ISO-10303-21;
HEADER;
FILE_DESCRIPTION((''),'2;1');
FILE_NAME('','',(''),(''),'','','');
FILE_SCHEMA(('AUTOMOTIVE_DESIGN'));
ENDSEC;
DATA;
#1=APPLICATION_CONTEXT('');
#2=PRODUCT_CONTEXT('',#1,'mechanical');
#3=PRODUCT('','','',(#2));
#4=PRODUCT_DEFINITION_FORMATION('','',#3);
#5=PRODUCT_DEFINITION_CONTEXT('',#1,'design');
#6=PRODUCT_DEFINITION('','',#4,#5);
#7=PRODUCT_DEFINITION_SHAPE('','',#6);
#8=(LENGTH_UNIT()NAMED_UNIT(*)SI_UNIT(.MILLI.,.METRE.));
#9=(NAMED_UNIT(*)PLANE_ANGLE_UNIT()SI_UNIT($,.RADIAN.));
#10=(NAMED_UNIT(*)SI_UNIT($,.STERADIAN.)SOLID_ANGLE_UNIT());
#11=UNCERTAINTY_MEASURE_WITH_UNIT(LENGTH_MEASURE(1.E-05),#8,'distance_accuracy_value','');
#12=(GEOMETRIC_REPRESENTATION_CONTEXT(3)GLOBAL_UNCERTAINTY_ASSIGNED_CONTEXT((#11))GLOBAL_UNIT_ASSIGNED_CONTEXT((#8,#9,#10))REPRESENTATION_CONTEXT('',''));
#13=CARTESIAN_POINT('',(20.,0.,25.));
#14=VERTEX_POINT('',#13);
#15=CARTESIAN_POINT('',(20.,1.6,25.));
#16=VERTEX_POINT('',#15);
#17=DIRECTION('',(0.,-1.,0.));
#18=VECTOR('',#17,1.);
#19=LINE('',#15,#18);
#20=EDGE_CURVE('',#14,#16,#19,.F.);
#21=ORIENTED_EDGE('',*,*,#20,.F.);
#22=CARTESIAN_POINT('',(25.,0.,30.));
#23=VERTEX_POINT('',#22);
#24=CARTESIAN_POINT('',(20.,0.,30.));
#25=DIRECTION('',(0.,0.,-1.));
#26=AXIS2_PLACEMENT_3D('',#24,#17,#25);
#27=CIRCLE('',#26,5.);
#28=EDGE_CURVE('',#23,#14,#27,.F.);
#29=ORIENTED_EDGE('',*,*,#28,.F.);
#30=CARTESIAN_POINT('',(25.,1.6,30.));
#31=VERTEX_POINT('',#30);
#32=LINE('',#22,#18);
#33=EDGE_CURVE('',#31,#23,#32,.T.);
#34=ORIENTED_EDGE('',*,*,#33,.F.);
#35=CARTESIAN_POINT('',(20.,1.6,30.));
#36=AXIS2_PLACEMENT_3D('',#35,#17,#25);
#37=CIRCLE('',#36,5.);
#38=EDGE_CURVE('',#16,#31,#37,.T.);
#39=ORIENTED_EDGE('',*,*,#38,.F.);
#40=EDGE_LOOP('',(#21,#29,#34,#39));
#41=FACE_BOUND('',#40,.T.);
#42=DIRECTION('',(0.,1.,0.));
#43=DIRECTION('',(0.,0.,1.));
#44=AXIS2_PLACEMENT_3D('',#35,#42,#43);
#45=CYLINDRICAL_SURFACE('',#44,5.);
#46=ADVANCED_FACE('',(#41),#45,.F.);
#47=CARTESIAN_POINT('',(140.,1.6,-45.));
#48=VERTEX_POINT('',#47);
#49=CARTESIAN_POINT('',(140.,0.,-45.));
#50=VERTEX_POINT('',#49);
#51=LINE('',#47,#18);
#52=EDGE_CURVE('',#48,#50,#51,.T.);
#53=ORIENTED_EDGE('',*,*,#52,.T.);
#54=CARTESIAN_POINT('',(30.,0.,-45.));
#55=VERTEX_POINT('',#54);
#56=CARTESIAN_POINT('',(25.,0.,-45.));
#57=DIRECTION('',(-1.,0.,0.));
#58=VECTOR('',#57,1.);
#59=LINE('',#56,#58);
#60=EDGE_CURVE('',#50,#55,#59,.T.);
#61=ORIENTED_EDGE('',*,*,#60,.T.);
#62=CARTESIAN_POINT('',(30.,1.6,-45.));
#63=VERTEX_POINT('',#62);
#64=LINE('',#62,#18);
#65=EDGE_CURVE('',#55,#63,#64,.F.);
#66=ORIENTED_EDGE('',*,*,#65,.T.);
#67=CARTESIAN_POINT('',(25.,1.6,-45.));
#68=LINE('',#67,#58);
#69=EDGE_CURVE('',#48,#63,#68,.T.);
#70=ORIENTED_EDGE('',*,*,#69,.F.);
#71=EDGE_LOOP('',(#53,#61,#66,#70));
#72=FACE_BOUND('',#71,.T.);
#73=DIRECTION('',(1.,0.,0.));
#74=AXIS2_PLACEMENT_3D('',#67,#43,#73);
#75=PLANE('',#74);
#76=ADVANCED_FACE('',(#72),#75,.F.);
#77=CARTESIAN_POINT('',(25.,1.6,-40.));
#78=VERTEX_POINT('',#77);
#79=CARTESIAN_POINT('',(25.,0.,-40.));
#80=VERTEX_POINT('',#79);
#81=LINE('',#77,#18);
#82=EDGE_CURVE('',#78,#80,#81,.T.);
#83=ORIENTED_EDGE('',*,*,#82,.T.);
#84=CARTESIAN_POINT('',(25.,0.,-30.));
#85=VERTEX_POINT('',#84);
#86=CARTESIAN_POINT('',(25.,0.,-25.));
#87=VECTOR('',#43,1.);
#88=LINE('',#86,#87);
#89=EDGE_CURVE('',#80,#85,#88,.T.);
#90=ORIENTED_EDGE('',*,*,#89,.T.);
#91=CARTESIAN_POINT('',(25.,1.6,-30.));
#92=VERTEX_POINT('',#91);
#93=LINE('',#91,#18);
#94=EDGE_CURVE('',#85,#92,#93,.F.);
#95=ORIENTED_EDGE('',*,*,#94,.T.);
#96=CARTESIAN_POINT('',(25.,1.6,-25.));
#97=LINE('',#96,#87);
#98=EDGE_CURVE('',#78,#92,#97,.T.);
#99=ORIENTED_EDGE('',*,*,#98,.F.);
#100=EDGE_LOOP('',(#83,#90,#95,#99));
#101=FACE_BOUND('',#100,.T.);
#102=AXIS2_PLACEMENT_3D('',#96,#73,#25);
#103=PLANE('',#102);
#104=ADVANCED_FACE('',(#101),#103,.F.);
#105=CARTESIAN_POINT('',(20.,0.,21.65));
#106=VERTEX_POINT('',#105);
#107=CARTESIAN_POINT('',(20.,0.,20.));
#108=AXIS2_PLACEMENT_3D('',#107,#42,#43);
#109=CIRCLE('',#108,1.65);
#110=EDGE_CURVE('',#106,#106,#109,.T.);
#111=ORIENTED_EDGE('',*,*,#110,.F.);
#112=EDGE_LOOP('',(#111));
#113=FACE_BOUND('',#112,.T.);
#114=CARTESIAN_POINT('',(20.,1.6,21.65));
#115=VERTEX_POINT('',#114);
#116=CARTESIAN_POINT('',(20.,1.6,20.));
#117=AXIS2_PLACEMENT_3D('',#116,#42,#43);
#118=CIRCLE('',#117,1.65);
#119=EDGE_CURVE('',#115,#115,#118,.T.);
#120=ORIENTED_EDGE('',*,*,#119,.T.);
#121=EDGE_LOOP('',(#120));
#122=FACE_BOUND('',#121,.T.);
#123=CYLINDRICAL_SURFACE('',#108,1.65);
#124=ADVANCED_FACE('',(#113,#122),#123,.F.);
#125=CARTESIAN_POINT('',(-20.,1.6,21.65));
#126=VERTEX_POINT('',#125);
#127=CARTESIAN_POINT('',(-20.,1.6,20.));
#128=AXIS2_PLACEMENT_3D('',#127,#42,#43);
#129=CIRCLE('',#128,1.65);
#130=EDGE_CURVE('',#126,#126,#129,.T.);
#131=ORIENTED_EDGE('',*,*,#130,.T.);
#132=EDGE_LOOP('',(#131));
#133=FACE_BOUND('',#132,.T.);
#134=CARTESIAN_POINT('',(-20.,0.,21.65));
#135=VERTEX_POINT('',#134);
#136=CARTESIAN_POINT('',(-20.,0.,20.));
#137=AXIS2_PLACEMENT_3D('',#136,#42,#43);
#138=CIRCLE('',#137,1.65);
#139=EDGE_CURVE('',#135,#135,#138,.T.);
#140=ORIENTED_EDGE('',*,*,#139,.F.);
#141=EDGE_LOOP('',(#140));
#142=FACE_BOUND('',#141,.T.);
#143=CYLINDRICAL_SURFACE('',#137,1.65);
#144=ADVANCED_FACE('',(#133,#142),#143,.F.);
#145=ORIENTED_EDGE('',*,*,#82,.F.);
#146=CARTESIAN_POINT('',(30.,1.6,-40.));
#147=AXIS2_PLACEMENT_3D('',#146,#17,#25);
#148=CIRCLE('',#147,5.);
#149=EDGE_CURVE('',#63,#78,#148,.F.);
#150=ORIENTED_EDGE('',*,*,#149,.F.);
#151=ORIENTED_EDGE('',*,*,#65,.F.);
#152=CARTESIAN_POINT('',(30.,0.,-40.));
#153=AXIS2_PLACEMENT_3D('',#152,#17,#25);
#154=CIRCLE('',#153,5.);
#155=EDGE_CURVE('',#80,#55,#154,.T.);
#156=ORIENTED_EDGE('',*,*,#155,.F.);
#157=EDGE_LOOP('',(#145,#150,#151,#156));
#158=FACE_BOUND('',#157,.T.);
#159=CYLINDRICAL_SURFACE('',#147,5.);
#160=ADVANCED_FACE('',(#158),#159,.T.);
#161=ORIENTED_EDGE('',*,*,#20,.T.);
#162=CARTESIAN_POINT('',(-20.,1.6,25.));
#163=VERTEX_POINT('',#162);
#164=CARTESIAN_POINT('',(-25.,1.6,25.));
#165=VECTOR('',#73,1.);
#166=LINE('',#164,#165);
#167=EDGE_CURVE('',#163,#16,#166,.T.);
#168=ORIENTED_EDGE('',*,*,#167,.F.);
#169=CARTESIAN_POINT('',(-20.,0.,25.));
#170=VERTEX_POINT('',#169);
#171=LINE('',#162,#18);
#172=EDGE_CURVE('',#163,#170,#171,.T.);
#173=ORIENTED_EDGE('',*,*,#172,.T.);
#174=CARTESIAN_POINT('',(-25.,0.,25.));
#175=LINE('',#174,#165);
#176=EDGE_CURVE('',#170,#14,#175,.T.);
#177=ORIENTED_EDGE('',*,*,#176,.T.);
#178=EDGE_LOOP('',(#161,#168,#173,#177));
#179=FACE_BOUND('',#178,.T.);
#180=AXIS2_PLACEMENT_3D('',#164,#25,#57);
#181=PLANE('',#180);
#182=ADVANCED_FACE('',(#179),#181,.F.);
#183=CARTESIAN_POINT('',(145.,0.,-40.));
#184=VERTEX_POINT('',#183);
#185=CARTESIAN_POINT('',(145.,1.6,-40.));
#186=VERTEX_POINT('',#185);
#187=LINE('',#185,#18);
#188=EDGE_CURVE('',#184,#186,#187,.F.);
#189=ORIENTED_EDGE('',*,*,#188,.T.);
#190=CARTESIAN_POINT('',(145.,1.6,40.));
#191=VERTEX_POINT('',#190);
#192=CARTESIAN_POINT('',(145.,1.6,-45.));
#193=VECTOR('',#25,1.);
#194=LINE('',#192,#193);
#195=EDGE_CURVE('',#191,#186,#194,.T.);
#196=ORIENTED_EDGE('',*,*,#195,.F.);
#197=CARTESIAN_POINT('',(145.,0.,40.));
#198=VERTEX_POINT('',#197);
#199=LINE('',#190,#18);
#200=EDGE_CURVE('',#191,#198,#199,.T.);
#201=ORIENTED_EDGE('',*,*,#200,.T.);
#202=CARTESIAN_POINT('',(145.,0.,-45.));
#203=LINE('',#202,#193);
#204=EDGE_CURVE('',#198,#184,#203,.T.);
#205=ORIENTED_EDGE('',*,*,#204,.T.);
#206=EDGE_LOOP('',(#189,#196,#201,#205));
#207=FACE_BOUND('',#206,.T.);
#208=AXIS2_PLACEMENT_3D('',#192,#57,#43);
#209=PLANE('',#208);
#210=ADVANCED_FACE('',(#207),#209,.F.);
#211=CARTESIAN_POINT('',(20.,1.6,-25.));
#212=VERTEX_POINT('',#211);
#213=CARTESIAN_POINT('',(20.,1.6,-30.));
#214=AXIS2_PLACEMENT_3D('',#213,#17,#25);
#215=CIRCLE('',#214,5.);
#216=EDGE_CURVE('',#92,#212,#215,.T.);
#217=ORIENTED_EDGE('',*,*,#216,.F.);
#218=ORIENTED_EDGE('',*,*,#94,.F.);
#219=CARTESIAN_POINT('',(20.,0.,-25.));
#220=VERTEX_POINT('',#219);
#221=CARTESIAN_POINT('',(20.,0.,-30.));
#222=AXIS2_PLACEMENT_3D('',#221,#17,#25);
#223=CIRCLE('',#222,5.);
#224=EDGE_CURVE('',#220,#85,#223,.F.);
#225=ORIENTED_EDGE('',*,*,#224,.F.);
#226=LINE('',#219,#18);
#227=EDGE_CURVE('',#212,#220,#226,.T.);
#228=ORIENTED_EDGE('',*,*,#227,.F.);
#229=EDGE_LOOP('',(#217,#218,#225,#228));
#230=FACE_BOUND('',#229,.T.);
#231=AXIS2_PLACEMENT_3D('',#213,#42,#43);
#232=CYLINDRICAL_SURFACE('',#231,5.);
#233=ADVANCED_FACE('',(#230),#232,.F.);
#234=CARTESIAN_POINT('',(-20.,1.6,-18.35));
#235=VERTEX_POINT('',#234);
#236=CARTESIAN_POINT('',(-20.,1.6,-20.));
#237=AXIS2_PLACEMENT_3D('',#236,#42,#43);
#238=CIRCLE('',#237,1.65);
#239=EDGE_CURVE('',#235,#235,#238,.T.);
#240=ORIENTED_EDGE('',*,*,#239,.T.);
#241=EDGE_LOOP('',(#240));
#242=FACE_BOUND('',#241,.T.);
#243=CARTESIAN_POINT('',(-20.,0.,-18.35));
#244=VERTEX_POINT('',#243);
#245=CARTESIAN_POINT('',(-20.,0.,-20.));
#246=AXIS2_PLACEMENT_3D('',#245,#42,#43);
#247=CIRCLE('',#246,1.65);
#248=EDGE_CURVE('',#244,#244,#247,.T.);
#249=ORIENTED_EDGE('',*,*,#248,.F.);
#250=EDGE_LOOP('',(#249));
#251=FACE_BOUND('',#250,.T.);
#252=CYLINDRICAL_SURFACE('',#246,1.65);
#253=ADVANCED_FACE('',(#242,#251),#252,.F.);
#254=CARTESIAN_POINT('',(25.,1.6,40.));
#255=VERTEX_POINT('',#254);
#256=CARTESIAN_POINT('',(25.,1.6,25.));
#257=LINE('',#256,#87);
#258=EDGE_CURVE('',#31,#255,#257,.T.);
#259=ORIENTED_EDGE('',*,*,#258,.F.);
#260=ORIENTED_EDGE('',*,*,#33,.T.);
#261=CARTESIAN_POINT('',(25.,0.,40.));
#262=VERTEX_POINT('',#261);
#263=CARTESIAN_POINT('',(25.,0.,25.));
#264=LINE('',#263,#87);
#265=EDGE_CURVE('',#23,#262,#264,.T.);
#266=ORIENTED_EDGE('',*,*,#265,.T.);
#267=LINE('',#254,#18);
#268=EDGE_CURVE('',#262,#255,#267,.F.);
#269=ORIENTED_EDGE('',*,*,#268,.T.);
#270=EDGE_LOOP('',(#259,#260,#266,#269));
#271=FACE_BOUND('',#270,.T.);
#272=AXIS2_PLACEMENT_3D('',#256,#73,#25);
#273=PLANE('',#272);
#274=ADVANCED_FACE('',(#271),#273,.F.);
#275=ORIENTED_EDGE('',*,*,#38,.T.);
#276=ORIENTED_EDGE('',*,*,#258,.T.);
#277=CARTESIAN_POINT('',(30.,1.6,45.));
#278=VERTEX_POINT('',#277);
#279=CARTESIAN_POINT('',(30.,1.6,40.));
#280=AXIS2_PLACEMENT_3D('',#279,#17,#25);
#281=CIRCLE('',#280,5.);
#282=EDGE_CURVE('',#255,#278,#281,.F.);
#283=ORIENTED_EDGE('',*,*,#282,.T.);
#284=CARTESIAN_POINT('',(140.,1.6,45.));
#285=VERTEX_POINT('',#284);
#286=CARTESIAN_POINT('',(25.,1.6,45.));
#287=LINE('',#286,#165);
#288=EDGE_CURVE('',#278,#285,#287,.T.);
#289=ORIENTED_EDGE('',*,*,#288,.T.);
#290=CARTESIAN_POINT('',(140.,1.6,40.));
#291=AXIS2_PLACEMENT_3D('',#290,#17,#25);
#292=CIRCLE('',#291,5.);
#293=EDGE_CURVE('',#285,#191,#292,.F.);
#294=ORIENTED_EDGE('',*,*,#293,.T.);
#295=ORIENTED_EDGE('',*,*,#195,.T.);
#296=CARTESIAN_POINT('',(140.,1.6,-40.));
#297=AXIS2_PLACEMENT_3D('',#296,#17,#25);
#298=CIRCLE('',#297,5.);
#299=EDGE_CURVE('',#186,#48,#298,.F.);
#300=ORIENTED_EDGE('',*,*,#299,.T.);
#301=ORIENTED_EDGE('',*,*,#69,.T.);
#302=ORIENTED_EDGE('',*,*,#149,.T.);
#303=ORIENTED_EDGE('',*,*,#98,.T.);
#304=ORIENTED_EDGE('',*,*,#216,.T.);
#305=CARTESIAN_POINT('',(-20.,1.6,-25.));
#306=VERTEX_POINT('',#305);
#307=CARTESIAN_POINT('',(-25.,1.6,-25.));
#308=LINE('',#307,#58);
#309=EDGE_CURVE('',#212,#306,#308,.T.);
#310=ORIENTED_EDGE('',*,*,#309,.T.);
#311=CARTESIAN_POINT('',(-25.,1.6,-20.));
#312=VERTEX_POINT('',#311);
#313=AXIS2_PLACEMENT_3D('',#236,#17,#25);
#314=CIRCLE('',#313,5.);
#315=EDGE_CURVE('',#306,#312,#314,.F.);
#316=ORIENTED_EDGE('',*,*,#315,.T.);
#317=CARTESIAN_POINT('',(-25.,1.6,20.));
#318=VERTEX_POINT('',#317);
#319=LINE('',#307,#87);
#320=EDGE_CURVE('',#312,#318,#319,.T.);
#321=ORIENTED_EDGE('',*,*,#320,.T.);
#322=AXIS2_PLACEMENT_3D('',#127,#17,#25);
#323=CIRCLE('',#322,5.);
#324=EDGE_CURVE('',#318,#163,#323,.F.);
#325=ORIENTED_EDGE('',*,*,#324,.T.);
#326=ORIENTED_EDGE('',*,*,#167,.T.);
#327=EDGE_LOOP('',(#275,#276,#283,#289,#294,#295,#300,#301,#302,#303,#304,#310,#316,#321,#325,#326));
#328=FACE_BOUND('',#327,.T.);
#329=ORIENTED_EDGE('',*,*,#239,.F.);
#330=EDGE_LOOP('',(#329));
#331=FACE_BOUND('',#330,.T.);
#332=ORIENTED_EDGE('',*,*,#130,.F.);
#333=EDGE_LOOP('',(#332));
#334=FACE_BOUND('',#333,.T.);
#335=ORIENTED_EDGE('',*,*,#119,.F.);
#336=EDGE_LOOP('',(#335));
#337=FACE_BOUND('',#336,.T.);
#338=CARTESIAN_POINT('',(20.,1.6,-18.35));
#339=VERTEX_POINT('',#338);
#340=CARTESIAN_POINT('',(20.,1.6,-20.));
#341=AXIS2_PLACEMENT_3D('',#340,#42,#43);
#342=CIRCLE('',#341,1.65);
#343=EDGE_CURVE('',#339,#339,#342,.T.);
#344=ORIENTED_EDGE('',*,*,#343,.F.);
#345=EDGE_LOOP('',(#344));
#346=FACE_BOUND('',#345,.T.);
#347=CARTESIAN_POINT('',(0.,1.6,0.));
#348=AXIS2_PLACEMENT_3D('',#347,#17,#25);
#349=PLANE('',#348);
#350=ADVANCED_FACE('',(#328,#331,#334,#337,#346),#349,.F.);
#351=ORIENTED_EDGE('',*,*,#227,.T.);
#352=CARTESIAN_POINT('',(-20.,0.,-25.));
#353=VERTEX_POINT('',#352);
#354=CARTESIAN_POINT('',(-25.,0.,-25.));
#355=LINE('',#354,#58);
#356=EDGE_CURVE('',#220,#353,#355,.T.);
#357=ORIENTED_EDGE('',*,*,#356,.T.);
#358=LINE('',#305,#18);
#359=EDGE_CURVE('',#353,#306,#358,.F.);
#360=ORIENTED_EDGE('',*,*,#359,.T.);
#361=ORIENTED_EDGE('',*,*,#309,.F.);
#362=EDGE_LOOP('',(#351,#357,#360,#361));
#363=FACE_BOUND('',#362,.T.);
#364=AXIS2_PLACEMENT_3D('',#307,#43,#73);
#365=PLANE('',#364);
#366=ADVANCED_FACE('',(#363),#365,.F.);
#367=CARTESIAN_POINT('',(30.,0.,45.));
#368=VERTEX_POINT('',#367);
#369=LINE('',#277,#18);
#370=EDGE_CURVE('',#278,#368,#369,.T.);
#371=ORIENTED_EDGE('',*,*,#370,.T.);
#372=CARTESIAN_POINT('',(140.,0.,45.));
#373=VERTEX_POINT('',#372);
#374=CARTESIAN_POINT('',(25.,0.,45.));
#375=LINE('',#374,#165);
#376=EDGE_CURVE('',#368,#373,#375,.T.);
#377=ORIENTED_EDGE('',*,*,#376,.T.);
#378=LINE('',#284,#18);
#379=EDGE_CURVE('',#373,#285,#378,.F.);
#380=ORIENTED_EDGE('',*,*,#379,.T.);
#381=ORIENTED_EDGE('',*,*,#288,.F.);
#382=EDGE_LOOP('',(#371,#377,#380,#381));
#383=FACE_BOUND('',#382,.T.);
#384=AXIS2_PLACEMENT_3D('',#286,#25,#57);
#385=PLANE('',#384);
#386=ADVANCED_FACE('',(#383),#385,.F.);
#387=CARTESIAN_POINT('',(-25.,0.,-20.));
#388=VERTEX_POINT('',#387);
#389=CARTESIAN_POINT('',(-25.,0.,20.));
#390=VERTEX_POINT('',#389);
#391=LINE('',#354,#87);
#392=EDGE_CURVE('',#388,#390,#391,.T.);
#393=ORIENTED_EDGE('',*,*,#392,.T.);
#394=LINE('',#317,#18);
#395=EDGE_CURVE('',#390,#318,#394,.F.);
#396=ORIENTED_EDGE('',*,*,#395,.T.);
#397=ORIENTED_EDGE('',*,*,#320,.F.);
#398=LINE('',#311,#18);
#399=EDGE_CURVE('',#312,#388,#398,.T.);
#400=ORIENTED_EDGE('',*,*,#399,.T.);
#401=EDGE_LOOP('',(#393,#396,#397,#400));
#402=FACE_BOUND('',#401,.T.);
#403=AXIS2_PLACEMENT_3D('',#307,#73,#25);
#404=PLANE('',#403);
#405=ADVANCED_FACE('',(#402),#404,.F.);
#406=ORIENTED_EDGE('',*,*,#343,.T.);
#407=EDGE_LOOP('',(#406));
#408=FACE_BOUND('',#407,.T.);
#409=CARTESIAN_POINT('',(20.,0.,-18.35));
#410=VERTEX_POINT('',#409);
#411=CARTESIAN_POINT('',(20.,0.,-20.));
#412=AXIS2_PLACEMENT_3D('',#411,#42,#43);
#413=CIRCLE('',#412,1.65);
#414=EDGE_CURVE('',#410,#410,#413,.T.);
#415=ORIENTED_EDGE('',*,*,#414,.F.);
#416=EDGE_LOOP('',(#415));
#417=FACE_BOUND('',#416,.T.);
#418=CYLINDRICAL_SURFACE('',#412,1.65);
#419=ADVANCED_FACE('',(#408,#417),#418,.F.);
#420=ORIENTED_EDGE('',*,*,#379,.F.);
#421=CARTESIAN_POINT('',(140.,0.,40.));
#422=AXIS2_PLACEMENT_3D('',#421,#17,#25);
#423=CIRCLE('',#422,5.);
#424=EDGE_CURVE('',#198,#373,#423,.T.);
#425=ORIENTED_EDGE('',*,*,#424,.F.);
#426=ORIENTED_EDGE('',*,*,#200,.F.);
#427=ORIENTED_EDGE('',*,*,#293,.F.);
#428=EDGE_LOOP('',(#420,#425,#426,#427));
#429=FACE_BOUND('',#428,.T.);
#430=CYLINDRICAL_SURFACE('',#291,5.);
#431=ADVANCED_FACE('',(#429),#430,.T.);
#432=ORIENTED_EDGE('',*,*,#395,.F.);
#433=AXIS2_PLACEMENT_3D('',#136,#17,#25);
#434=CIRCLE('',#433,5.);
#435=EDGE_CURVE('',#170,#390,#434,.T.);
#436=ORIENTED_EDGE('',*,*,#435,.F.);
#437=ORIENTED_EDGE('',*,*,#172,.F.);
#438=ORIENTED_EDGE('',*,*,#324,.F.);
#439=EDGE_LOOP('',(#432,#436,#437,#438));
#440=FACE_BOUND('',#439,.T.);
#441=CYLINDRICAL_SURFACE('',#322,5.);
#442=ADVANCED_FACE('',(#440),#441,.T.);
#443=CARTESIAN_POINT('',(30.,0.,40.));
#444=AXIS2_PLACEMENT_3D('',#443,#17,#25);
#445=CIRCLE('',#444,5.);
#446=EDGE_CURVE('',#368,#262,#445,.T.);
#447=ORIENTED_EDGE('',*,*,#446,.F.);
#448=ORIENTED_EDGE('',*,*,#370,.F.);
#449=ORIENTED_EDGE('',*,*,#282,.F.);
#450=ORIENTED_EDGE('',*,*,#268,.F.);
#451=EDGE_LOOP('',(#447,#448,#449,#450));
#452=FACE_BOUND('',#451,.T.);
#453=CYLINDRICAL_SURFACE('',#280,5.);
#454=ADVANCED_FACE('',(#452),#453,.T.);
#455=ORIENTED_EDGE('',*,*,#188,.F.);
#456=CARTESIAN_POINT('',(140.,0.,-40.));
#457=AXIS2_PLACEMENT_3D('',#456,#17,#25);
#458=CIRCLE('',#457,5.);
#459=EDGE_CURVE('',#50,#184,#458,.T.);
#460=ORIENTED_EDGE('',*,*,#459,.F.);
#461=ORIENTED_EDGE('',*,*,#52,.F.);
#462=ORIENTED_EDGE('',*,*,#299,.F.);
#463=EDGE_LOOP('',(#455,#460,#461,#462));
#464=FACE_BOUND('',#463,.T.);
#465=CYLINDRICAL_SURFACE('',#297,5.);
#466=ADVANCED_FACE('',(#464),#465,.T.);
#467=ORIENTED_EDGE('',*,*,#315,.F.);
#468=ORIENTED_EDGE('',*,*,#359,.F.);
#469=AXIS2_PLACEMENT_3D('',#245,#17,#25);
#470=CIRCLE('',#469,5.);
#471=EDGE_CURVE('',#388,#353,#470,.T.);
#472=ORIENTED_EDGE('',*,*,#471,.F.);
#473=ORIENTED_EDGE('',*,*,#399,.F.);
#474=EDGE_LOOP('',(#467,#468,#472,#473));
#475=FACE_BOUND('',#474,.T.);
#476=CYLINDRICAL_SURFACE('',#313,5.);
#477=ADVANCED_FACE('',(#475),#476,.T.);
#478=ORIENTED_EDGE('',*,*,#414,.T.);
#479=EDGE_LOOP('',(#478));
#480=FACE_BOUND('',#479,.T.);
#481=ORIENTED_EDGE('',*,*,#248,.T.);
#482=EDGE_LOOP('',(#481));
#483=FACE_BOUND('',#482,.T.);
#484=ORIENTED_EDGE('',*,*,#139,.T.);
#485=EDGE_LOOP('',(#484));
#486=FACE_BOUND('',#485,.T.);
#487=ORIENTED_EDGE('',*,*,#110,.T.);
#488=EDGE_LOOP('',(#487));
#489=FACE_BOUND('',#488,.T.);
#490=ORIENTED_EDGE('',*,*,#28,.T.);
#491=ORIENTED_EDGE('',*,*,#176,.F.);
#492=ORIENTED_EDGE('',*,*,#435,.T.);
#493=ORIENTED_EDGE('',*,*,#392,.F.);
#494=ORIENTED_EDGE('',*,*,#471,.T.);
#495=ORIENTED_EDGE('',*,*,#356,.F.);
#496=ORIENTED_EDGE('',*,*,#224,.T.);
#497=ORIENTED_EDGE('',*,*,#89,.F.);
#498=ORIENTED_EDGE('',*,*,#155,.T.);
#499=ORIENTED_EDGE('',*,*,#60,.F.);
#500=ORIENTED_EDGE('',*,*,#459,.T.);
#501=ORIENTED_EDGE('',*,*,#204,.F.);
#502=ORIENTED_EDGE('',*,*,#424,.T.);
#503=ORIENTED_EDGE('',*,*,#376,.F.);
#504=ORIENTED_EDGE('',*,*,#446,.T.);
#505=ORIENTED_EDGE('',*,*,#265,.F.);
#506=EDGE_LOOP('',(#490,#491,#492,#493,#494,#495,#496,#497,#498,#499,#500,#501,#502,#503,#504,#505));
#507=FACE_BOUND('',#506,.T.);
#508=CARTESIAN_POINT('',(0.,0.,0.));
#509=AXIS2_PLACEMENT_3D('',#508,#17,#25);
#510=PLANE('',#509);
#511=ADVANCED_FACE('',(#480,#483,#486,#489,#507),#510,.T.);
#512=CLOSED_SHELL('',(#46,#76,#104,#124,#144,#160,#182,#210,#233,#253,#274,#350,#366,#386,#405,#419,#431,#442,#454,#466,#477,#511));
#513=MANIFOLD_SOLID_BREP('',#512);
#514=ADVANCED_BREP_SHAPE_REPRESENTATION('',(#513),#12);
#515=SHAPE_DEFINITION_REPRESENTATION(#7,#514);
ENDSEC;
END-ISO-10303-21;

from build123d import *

# Parameters (mm, degrees)
BOSS_EXTRUDE1_DEPTH = 1.6
FILLET1_R           = 5
SKETCH2_R           = 1.65
CUT_EXTRUDE1_DEPTH  = 152.830695184


with BuildPart() as part:
    # Sketch1 → Boss-Extrude1 (new body)
    with BuildSketch(Plane(origin=(0, 0, 0), x_dir=(1, 0, 0), z_dir=(0, 1, 0))):
        Polygon((-25, 25), (25, 25), (25, 45), (145, 45), (145, -45), (25, -45), (25, -25), (-25, -25), align=None)
    extrude(amount=BOSS_EXTRUDE1_DEPTH)

    # Fillet1
    fillet1_edges = [part.edges().sort_by_distance(p)[0] for p in [
        (-25, 0.8, 25),
        (-25, 0.8, -25),
        (25, 0.8, -25),
        (25, 0.8, -45),
        (145, 0.8, -45),
        (145, 0.8, 45),
        (25, 0.8, 45),
        (25, 0.8, 25),
    ]]
    fillet(fillet1_edges, radius=FILLET1_R)

    # Sketch2 → Cut-Extrude1 (cut, through all)
    with BuildSketch(Plane(origin=(0, 1.6, 0), x_dir=(1, 0, 0), z_dir=(0, 1, 0))):
        with Locations(Location((-20, 20, 0), (0, 0, 270))):
            Circle(SKETCH2_R)
        with Locations(Location((20, 20, 0), (0, 0, 270))):
            Circle(SKETCH2_R)
        with Locations(Location((20, -20, 0), (0, 0, 270))):
            Circle(SKETCH2_R)
        with Locations(Location((-20, -20, 0), (0, 0, 270))):
            Circle(SKETCH2_R)
    extrude(amount=-CUT_EXTRUDE1_DEPTH, mode=Mode.SUBTRACT)


solid = part.part
